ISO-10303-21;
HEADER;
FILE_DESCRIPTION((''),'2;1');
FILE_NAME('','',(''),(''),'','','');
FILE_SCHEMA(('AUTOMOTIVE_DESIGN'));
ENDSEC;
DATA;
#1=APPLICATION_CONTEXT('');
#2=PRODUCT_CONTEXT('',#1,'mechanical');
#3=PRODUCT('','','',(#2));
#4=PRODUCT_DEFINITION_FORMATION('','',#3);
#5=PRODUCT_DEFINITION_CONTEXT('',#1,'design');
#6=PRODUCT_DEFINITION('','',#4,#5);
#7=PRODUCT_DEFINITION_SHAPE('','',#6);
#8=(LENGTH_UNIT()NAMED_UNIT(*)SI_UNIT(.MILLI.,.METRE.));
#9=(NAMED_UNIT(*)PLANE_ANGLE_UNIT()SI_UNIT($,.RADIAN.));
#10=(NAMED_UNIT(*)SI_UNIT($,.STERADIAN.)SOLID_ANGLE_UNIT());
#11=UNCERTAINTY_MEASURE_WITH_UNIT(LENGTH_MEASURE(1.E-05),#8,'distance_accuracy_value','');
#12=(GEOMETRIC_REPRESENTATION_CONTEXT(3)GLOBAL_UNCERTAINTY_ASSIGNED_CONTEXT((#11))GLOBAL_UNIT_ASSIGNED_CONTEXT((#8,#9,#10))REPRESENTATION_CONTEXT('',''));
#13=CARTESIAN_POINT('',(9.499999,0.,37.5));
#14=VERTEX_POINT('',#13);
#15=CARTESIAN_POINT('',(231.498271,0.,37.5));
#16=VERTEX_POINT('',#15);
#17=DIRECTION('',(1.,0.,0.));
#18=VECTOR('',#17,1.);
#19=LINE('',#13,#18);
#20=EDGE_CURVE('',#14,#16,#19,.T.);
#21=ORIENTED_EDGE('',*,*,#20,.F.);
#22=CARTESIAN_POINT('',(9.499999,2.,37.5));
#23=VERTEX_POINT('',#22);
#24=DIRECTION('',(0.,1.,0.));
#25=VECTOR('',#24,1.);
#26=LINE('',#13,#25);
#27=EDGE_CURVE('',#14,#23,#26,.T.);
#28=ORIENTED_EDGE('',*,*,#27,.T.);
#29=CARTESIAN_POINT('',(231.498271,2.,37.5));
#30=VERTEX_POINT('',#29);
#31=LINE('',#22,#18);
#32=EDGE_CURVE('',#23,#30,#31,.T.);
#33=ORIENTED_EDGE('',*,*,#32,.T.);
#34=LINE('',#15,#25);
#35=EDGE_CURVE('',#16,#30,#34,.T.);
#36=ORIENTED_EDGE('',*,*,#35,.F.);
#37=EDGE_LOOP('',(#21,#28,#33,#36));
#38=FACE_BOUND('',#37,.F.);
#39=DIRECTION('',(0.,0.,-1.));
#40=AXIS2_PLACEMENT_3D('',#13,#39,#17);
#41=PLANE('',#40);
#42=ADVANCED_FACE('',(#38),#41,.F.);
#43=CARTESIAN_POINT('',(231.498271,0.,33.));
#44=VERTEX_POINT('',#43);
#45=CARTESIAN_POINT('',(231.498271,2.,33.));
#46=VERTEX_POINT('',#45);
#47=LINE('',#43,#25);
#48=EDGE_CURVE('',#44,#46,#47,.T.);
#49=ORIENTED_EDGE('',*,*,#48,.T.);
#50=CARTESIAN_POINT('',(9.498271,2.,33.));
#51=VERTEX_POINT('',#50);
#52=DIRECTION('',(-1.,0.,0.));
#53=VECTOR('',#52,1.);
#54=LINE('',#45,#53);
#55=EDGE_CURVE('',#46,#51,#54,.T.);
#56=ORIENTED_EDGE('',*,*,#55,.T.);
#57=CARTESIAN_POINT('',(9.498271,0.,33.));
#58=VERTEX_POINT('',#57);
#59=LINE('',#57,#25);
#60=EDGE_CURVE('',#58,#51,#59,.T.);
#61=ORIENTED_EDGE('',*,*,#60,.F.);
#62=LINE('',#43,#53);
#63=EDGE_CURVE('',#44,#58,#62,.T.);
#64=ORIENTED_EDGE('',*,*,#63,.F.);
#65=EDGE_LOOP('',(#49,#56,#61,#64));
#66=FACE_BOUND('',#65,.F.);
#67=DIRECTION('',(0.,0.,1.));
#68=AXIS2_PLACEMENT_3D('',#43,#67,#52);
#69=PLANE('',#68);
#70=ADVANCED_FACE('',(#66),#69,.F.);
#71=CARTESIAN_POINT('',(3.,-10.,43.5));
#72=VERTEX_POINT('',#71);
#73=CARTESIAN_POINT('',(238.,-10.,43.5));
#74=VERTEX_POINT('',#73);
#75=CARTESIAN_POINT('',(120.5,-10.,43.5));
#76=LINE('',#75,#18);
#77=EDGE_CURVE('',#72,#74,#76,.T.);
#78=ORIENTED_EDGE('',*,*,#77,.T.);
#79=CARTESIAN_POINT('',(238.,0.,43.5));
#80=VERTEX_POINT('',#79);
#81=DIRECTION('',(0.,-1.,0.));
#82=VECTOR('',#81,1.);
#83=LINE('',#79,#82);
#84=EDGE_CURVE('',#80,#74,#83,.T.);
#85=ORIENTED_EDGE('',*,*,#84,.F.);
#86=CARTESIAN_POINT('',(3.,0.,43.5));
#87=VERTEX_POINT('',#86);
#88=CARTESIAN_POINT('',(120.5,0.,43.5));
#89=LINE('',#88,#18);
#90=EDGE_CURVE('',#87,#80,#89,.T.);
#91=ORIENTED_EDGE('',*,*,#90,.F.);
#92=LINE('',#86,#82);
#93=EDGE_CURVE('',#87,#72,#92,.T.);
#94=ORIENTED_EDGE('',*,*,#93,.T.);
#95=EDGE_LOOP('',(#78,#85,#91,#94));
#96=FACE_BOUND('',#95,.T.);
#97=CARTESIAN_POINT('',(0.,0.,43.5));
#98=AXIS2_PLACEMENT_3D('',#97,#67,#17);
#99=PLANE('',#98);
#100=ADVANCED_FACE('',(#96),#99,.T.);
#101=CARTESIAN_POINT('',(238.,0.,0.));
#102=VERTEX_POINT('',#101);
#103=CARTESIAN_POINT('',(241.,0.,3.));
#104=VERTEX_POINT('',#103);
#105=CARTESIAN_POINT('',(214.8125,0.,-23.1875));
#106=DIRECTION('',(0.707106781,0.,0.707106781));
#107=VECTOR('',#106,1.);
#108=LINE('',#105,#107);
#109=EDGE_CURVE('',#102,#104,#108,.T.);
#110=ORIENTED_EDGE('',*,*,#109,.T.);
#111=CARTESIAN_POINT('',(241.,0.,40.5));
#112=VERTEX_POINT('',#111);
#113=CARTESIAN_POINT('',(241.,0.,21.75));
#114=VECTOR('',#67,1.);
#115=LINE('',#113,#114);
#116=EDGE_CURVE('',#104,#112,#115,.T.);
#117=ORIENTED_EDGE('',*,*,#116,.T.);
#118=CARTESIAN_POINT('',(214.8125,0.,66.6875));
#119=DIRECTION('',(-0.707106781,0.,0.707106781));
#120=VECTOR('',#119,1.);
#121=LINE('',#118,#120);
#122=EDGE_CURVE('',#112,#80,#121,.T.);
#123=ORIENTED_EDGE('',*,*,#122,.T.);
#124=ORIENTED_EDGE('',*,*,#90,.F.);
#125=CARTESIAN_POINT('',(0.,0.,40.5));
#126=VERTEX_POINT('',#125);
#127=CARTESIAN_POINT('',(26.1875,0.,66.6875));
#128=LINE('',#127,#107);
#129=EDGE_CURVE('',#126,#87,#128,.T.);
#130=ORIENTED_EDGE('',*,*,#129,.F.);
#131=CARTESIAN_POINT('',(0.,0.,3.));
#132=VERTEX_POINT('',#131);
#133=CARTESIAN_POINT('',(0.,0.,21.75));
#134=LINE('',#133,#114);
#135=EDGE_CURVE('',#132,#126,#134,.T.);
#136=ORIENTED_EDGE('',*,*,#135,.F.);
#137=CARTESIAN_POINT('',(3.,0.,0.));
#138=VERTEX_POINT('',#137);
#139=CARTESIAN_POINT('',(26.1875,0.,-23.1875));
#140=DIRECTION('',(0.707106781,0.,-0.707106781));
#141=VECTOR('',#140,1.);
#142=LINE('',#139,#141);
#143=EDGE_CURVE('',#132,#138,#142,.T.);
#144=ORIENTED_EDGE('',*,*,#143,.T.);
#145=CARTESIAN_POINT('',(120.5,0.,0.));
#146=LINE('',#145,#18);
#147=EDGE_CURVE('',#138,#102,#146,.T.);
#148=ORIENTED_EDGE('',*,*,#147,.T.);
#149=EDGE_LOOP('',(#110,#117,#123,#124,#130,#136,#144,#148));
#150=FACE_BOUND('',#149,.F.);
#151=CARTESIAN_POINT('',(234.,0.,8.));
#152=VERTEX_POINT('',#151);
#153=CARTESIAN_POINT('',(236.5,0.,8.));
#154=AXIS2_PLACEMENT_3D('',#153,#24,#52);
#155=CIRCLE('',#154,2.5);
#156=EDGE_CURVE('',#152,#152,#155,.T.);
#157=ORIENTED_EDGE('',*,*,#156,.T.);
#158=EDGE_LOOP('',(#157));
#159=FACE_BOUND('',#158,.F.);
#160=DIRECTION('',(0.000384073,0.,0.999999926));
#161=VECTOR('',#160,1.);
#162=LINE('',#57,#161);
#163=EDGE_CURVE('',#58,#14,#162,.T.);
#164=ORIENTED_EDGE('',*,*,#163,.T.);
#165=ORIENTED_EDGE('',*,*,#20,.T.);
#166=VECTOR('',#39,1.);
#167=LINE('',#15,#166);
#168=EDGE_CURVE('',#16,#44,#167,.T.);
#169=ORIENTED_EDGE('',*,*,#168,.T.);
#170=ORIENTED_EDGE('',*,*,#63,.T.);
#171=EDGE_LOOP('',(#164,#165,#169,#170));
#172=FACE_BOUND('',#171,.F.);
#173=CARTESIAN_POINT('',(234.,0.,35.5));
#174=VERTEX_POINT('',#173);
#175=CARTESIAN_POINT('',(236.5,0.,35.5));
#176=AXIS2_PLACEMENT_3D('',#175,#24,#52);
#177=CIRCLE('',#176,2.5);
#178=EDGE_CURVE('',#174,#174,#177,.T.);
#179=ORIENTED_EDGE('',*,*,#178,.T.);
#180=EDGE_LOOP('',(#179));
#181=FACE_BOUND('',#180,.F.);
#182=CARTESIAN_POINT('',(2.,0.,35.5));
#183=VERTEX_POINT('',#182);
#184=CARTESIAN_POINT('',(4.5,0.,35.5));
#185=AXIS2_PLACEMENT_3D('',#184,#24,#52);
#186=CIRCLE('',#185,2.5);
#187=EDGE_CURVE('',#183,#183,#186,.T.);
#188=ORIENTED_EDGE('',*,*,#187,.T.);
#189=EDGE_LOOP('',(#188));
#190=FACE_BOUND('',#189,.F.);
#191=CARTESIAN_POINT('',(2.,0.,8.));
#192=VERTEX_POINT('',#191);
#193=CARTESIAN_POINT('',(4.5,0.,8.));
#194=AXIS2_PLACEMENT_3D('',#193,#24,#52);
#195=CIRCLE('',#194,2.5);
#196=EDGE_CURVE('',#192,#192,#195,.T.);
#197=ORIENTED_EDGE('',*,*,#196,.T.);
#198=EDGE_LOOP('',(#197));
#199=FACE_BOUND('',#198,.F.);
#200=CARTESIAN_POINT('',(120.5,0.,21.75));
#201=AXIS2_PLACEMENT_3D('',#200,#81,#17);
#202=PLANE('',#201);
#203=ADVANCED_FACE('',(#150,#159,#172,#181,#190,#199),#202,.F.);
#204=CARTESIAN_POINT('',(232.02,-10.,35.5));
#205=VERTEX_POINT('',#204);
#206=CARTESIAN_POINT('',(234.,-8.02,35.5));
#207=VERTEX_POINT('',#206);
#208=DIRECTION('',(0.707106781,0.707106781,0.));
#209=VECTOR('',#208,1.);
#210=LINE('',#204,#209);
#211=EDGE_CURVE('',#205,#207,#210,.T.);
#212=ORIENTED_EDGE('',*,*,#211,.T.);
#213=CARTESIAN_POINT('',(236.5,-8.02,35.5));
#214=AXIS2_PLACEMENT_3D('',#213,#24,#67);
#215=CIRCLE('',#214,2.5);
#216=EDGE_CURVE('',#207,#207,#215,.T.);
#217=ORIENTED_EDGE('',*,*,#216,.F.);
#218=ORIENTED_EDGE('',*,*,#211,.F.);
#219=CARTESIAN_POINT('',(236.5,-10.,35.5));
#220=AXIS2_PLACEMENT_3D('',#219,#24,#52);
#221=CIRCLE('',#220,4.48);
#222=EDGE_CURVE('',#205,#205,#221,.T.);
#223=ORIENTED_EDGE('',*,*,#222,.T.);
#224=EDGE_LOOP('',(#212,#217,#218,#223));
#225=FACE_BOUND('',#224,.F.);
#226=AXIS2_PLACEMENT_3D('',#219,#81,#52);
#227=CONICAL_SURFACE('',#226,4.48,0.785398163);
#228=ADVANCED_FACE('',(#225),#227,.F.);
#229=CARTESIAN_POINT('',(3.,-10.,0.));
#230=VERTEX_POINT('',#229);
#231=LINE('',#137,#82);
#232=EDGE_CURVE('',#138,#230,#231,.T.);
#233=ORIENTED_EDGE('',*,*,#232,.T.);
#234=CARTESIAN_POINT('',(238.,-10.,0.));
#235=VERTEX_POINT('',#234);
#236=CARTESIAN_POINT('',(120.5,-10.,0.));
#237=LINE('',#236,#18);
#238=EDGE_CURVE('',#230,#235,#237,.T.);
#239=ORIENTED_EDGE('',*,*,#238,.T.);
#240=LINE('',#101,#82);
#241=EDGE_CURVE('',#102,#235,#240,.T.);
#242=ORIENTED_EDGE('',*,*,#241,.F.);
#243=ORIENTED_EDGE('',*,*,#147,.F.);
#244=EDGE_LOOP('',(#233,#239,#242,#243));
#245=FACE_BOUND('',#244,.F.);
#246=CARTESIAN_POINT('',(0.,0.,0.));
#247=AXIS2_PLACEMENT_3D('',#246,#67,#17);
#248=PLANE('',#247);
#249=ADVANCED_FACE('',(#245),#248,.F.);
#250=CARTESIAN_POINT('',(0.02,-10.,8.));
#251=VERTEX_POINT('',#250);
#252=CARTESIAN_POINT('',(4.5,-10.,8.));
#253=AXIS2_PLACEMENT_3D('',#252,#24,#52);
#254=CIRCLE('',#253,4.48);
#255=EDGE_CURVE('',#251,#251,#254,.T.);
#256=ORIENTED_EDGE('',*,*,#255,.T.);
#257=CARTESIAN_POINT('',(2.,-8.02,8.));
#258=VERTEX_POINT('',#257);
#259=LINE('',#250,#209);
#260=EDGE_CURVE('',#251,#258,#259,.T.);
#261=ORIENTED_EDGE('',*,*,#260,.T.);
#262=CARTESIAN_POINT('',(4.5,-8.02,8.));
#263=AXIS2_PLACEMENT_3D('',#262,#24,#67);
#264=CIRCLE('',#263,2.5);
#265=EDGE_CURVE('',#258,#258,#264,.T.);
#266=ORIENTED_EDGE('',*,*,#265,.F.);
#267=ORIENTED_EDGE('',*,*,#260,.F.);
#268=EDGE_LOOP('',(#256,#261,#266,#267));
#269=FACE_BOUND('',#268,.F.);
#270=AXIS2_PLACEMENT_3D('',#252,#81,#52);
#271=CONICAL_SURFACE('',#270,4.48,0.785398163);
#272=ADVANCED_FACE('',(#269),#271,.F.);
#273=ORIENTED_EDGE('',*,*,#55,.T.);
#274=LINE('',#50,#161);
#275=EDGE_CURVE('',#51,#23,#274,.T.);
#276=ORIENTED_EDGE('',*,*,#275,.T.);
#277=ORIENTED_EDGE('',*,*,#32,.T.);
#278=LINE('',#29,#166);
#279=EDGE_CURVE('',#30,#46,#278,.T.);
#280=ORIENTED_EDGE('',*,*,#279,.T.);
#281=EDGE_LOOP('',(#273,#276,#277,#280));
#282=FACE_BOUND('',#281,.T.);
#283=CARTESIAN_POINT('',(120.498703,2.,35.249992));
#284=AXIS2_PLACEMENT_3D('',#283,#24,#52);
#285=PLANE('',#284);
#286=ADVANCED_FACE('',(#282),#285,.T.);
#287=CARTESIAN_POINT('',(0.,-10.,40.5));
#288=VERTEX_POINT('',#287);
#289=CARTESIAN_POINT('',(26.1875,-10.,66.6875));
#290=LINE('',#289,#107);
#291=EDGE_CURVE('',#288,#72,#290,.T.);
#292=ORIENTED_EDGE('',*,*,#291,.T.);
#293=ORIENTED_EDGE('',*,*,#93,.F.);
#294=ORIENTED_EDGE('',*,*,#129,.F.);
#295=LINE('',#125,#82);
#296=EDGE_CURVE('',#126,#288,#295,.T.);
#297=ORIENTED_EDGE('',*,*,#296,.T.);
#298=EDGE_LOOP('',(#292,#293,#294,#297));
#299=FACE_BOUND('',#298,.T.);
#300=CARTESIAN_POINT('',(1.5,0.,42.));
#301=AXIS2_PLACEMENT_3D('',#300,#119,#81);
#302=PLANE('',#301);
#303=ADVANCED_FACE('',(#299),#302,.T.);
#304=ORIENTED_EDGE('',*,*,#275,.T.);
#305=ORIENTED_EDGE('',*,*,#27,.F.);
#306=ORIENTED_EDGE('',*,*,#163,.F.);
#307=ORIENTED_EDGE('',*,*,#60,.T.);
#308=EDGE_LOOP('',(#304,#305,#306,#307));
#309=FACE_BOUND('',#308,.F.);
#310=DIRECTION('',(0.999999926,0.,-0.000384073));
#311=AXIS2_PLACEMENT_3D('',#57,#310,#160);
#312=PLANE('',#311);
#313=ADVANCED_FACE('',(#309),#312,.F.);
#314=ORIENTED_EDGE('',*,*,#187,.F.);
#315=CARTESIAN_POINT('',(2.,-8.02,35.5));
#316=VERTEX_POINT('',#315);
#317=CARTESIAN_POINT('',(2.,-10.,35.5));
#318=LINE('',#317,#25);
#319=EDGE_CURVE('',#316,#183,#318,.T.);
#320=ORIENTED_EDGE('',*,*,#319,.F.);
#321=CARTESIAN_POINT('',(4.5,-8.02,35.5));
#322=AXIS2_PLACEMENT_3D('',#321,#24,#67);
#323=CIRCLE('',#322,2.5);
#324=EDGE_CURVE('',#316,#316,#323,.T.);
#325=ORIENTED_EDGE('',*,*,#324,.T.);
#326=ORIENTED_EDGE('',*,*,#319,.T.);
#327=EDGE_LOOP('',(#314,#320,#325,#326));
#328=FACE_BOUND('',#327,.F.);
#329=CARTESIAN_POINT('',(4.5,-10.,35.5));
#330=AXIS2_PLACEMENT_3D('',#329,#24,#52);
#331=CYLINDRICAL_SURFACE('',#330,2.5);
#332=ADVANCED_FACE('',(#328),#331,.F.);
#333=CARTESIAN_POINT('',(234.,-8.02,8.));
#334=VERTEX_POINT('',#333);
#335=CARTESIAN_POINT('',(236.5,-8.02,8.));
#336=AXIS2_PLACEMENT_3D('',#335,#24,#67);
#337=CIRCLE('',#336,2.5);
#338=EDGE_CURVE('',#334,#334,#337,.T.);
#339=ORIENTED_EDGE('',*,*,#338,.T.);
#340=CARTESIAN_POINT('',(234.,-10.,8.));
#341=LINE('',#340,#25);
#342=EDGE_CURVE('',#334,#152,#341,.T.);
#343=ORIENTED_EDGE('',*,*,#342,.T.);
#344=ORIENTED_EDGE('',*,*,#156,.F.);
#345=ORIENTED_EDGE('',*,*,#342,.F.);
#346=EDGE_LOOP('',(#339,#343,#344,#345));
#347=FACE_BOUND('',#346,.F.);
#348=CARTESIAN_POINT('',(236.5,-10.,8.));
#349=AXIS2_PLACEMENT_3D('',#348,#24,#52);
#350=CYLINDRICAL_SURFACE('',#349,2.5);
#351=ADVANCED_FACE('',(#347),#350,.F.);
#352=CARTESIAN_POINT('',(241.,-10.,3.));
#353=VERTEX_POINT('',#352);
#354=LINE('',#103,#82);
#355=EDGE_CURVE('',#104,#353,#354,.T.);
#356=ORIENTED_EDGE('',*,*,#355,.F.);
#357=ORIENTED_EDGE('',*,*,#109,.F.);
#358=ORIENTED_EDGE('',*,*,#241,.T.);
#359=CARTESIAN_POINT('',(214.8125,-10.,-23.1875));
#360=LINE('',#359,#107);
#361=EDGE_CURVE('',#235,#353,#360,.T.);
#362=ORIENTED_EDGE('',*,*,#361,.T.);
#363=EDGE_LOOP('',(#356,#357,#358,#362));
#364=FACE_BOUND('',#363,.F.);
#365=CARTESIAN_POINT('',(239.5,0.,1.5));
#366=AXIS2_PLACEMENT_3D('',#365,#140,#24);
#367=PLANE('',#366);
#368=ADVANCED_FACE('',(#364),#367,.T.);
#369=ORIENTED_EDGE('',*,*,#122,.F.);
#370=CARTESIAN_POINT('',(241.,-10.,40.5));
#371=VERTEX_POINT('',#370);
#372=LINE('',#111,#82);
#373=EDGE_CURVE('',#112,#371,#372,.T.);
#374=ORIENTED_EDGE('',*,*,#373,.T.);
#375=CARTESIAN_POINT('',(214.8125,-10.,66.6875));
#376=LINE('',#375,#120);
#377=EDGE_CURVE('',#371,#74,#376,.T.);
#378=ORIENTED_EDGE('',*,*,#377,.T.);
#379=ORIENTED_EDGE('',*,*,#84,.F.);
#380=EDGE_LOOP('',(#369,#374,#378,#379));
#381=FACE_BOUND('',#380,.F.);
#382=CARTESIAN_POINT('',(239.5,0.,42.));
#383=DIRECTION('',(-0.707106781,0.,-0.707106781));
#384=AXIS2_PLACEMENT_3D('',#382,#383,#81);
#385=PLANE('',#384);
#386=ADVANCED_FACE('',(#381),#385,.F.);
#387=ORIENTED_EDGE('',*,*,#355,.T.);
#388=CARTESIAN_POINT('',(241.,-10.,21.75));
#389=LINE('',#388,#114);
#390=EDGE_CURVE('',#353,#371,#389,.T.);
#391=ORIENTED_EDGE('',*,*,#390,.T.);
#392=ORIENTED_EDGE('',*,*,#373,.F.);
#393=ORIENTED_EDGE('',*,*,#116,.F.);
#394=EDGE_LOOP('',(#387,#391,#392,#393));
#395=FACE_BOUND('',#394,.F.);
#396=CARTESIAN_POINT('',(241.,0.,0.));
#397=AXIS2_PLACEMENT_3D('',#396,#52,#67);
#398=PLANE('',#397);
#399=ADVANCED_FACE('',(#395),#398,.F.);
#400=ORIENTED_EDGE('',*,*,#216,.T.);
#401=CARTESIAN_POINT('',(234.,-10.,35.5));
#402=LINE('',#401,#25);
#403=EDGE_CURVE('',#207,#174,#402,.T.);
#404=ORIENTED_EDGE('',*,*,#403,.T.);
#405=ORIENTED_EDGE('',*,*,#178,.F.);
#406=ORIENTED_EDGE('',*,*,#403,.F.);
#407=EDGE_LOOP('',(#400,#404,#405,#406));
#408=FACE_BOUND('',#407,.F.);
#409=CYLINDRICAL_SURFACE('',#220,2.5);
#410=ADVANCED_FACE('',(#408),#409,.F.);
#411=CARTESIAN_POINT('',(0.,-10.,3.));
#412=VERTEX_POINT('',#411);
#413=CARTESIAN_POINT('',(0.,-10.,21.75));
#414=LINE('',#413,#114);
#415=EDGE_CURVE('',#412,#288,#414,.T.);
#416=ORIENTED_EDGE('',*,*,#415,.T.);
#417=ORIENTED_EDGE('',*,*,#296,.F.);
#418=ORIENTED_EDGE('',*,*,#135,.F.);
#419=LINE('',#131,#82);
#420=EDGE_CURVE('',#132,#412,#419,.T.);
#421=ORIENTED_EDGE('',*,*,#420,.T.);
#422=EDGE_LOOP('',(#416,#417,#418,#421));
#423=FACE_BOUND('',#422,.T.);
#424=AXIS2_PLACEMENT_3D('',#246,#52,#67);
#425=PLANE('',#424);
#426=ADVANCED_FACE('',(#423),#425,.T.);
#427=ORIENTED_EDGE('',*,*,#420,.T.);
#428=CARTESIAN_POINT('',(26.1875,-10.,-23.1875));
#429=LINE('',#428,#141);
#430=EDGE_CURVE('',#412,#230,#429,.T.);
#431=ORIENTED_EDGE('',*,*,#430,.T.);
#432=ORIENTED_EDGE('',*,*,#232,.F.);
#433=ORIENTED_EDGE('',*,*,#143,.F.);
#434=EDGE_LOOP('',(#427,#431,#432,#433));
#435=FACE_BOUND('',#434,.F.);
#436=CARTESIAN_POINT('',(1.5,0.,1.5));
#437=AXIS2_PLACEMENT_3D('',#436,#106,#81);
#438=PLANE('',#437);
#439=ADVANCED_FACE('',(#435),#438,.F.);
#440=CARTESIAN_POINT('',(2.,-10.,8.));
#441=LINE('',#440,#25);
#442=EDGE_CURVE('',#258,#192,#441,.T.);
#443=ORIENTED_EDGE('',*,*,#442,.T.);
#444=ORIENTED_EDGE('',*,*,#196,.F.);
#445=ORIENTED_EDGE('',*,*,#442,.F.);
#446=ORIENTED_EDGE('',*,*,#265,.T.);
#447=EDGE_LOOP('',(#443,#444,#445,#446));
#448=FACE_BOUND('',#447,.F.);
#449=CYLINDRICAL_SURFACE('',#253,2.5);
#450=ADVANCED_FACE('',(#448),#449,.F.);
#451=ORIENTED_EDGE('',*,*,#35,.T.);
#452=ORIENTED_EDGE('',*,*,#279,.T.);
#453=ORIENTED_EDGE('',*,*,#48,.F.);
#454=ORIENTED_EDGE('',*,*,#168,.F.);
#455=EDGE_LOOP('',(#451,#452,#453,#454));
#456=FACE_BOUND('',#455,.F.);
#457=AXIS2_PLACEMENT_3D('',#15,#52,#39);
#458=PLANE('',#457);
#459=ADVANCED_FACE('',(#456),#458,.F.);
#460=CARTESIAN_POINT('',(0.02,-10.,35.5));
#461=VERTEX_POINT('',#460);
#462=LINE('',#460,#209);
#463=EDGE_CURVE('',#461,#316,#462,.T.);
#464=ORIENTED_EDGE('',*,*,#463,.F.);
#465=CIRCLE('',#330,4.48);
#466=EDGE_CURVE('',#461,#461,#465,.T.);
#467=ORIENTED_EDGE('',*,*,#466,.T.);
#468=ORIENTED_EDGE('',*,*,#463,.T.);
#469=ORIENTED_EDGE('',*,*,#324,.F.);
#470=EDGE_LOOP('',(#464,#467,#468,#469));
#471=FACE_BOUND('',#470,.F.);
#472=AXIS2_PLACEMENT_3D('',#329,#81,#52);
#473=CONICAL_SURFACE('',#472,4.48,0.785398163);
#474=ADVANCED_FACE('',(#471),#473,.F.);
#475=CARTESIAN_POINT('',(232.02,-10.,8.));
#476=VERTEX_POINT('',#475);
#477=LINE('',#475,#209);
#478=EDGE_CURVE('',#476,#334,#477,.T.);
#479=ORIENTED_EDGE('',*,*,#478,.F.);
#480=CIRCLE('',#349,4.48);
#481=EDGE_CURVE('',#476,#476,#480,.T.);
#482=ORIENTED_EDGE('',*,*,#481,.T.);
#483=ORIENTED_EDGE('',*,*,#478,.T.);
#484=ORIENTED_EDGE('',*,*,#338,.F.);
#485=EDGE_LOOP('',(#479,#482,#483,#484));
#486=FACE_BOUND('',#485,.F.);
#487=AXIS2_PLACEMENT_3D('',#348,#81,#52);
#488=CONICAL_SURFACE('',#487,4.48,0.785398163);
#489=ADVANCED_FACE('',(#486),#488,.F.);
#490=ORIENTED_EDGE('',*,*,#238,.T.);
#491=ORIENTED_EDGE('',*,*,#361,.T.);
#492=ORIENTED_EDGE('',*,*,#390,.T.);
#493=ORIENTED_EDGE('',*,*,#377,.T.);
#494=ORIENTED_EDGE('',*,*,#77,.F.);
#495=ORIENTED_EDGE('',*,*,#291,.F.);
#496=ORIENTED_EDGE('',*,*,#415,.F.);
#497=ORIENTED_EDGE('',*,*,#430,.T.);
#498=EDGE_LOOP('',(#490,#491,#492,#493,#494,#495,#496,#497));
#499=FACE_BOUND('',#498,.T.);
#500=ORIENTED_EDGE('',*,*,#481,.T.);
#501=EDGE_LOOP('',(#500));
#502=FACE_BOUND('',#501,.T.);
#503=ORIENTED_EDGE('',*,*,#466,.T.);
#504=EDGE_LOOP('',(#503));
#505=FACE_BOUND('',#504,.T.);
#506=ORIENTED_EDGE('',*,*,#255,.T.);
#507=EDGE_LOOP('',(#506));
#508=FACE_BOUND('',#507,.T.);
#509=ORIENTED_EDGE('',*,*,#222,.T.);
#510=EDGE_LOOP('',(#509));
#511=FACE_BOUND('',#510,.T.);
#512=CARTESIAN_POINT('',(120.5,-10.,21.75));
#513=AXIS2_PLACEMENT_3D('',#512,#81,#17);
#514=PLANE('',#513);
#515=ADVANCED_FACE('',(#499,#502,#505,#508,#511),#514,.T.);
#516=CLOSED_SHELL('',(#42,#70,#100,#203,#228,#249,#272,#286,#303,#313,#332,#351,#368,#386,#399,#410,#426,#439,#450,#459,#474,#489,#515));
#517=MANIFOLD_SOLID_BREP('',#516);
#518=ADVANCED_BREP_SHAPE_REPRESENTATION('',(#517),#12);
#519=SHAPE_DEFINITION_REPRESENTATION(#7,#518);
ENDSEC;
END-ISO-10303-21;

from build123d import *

# Parameters (mm, degrees)
F0_W           = 241
F0_H           = 43.5
F1_DEPTH       = 10
F2_SIZE        = 3
F4_DEPTH       = 2
F6_D           = 5
F6_CSINK_D     = 8.96
F6_CSINK_ANGLE = 90


with BuildPart() as f1:
    # F0 (on Front) → F1 (new body)
    with BuildSketch(Plane.XZ):
        with Locations((120.5, 21.75)):
            Rectangle(F0_W, F0_H)
    extrude(amount=F1_DEPTH)

    # F2
    f2_edges = [f1.edges().sort_by_distance(p)[0] for p in [
        (241, -5, 43.5),
        (241, -5, 0),
        (0, -5, 43.5),
        (0, -5, 0),
    ]]
    chamfer(f2_edges, length=F2_SIZE)

    # F3 (on face) → F4 (join)
    with BuildSketch(Plane(origin=(0, 0, 0), x_dir=(-1, 0, 0), z_dir=(0, 1, 0))):
        Polygon((-9.4982709692, 33.0000003319), (-9.4999992993, 37.5), (-231.4982709692, 37.5), (-231.4982709692, 33.0000003319), align=None)
    extrude(amount=F4_DEPTH)

    # F6 (through all)
    with Locations(Plane.XZ.offset(10)):
        with Locations((236.5, 35.5), (236.5, 8), (4.5, 35.5), (4.5, 8)):
            CounterSinkHole(F6_D / 2, F6_CSINK_D / 2, counter_sink_angle=F6_CSINK_ANGLE)


solid = f1.part
